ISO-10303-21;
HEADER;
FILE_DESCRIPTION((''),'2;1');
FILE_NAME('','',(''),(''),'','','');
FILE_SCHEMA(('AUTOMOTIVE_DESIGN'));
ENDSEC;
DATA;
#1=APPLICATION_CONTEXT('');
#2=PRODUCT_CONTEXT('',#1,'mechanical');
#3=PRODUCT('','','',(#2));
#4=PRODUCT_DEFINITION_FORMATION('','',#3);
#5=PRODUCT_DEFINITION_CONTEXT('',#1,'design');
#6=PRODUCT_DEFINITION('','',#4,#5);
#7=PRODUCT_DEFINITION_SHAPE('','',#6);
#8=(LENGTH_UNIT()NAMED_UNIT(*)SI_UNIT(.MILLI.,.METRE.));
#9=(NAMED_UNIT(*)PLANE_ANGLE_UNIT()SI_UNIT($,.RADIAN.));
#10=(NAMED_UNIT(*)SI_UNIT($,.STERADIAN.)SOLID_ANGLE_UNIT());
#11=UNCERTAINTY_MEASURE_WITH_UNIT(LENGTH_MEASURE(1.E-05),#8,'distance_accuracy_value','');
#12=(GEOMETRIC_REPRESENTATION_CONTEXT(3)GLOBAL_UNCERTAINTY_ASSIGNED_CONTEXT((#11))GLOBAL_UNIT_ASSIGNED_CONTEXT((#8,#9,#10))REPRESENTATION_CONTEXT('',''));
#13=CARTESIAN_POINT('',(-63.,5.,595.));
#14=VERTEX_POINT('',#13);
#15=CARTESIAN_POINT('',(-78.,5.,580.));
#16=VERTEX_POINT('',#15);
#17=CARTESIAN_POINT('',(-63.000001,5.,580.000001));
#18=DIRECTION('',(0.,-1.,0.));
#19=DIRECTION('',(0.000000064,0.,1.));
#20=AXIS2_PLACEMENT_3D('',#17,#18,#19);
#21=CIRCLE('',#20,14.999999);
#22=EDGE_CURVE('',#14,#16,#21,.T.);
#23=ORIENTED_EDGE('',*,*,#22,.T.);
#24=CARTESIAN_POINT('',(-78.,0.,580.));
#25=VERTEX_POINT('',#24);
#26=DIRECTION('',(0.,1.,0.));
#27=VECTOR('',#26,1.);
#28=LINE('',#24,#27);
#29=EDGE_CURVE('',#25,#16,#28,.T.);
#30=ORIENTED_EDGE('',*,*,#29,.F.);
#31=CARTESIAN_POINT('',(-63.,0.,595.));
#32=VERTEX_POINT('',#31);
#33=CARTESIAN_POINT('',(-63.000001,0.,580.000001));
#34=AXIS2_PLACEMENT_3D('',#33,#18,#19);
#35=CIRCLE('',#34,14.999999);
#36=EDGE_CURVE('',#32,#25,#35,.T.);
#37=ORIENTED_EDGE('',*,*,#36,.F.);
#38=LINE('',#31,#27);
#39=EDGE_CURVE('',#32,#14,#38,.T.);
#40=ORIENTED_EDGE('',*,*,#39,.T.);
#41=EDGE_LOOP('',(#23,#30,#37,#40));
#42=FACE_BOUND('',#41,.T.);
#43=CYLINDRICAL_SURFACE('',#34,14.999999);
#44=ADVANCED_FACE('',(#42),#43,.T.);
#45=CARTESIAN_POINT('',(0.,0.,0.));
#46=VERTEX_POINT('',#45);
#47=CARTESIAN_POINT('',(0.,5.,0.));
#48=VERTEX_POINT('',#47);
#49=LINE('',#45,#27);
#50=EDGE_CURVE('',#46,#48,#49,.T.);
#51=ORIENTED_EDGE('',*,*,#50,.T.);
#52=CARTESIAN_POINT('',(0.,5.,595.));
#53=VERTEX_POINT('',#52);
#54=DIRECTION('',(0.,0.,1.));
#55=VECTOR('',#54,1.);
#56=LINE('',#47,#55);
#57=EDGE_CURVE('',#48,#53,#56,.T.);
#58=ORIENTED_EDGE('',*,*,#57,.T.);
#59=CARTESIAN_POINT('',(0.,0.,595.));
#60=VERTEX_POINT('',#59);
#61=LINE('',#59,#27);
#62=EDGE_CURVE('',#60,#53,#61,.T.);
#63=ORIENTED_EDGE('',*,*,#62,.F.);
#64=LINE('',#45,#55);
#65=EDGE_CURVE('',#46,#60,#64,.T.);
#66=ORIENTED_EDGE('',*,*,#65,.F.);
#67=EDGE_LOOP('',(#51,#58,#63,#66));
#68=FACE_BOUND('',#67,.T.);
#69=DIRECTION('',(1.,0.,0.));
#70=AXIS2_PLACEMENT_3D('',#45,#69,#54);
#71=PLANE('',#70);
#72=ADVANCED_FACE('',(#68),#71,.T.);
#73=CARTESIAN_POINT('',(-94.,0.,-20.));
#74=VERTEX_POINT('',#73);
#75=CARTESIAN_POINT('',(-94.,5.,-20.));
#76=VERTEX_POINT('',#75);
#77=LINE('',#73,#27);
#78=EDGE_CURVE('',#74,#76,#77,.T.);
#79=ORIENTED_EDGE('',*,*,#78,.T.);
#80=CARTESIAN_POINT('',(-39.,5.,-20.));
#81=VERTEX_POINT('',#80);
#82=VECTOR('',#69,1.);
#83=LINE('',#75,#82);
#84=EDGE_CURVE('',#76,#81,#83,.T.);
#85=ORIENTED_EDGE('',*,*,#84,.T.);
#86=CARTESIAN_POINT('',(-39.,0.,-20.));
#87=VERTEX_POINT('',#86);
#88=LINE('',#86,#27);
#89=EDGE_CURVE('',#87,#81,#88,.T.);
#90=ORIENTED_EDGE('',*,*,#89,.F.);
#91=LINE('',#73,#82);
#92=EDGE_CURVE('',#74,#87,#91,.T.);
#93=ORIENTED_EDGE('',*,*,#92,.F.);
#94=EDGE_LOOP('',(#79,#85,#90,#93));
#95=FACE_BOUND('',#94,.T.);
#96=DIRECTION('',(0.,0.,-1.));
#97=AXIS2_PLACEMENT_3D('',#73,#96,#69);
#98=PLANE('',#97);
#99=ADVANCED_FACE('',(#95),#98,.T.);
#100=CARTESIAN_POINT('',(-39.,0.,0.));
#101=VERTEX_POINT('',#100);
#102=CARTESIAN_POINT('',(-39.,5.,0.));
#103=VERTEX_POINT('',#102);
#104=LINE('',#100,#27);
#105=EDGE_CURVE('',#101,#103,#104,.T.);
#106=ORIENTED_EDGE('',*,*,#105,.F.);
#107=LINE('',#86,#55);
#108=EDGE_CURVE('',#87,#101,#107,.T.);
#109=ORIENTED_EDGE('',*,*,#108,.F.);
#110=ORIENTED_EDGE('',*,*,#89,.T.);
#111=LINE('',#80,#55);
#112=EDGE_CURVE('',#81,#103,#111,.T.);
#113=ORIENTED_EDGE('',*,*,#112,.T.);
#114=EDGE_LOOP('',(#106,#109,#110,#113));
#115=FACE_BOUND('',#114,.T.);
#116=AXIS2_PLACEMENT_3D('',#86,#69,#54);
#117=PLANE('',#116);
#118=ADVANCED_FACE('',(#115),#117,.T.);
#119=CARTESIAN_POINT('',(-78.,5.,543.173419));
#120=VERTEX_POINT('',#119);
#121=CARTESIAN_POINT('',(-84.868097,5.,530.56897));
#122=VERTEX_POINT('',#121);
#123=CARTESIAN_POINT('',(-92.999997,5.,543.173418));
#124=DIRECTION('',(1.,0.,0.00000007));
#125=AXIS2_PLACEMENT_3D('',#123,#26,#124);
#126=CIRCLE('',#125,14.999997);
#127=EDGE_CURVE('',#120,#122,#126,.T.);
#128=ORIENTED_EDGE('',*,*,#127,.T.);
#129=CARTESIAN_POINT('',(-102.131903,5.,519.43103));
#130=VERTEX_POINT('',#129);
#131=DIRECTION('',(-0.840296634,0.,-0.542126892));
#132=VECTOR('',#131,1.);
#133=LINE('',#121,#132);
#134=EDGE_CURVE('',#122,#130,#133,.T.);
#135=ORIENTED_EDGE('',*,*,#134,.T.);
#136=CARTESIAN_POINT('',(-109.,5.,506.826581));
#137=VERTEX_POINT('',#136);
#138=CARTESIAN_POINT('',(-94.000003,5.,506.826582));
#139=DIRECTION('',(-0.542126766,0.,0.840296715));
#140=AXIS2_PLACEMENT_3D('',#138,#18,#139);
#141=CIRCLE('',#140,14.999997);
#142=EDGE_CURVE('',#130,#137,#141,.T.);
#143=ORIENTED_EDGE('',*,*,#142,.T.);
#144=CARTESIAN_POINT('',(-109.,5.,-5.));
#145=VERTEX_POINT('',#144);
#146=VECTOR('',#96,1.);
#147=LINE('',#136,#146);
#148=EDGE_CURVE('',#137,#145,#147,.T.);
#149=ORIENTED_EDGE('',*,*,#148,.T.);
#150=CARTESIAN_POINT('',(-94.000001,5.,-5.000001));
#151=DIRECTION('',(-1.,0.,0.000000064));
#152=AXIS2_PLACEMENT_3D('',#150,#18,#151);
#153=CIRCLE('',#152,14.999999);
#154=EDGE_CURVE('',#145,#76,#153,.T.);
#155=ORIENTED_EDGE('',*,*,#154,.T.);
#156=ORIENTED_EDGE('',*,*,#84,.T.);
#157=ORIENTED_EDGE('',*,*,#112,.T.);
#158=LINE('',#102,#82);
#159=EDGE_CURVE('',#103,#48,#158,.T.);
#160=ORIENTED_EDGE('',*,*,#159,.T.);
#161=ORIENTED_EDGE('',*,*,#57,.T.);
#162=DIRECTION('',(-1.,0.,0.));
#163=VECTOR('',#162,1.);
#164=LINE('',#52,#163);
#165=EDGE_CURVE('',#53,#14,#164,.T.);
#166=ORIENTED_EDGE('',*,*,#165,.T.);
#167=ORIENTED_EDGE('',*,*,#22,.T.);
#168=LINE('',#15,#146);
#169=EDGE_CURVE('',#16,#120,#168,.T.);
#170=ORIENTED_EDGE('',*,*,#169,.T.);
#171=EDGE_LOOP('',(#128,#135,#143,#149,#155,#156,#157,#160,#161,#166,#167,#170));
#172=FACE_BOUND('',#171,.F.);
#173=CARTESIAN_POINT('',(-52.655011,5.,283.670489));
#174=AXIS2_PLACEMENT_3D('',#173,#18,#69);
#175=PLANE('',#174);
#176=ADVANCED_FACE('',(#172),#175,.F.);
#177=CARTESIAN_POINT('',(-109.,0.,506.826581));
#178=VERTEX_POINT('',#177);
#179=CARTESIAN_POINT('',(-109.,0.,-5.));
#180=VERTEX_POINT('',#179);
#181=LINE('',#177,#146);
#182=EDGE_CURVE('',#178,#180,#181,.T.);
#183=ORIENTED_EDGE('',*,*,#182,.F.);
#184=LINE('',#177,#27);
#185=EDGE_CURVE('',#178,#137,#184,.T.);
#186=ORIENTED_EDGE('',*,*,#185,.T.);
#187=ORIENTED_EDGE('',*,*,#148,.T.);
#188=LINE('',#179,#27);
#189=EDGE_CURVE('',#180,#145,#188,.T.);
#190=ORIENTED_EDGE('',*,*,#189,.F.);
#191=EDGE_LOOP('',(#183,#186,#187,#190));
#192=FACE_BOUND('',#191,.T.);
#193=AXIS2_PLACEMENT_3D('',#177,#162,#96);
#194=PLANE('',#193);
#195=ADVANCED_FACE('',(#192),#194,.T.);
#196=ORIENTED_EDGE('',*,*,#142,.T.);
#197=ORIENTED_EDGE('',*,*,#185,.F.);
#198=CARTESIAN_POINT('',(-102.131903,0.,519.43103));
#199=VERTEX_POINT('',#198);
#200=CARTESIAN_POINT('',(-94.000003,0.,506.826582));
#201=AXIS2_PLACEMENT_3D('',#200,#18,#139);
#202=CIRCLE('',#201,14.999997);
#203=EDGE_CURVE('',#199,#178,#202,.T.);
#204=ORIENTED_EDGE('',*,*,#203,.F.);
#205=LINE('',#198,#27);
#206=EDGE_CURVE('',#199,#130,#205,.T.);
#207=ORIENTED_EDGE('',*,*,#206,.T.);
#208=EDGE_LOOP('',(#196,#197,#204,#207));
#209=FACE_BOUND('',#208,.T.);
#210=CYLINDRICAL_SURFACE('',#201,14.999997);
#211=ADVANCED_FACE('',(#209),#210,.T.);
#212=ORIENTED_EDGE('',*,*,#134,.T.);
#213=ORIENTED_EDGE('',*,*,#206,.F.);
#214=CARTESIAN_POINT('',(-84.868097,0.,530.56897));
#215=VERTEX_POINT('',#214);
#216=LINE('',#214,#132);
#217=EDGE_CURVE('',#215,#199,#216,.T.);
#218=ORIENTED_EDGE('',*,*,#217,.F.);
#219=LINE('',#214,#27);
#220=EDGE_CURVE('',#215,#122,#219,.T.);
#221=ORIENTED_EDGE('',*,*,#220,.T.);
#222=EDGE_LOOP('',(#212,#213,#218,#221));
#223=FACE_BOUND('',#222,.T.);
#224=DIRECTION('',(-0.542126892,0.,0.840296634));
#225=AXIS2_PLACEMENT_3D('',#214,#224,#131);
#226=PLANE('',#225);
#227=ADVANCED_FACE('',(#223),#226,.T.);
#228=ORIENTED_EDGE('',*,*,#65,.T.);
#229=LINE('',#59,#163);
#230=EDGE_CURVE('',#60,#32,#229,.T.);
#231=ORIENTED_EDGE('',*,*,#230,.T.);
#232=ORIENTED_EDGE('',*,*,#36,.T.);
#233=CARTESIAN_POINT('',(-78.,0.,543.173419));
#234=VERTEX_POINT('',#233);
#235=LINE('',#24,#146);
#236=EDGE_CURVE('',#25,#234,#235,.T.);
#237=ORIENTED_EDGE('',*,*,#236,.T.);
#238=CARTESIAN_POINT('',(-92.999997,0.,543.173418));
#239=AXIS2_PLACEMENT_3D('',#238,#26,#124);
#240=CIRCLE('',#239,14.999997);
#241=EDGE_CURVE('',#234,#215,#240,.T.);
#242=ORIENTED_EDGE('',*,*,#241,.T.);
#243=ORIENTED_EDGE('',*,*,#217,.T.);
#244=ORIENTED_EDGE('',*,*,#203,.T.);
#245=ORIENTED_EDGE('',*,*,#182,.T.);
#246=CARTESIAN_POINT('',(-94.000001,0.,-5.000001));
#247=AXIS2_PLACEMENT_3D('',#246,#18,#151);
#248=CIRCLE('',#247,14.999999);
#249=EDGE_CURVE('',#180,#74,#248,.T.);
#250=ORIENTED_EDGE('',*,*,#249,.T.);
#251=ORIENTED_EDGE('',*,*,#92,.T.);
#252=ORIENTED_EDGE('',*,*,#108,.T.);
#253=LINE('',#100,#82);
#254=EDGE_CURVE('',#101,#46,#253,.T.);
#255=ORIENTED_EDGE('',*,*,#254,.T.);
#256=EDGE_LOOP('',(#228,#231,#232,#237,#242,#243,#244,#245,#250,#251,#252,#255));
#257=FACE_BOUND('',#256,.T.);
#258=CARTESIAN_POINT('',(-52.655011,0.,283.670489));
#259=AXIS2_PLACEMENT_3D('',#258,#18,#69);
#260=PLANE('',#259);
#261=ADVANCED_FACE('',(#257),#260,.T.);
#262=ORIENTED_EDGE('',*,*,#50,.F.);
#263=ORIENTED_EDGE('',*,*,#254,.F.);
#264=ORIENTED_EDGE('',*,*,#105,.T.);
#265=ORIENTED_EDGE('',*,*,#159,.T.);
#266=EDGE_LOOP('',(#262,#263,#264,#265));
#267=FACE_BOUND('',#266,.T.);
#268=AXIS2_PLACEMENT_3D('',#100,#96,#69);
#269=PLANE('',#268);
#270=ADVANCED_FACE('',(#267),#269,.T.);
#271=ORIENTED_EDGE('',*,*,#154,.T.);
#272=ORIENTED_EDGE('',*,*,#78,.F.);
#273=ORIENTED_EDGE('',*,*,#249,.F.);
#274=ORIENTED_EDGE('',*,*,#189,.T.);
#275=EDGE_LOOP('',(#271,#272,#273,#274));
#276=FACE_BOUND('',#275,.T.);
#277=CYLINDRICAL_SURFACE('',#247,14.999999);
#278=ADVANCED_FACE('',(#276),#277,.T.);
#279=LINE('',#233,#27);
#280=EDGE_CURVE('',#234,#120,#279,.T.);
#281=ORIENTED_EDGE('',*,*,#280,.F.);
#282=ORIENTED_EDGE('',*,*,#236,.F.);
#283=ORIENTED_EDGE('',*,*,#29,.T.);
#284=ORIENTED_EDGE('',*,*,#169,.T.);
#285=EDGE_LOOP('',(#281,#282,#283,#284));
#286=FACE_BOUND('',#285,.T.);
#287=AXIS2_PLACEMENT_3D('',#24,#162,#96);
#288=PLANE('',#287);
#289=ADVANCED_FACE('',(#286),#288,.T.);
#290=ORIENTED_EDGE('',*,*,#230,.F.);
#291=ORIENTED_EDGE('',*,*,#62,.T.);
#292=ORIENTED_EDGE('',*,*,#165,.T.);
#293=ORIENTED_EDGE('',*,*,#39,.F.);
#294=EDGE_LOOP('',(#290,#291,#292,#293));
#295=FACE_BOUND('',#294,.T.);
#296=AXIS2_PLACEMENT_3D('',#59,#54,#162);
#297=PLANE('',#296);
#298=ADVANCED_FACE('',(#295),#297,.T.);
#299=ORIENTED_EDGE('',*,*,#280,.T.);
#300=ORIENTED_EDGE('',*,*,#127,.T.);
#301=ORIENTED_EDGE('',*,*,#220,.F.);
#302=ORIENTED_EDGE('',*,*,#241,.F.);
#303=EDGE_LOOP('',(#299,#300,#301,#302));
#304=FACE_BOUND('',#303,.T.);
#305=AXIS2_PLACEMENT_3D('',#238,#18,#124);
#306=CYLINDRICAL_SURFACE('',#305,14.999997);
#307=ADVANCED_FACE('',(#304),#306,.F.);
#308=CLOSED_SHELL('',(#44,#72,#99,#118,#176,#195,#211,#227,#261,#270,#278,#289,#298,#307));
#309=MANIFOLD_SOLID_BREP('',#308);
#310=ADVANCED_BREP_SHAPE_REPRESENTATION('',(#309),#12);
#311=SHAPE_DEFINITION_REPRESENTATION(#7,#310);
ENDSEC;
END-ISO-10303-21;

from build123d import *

# Parameters (mm, degrees)
F1_DEPTH = 5


with BuildPart() as f1:
    # F0 (on Front) → F1 (new body)
    with BuildSketch(Plane.XZ):
        with BuildLine():
            Line((-39, 0), (0, 0))
            Line((0, 0), (0, 595))
            Line((0, 595), (-63, 595))
            ThreePointArc((-63, 595), (-73.606602, 590.606602), (-78, 580))
            Line((-78, 580), (-78, 543.173419))
            ThreePointArc((-78, 543.173419), (-79.828467, 535.996322), (-84.868097, 530.56897))
            Line((-84.868097, 530.56897), (-102.131903, 519.43103))
            ThreePointArc((-102.131903, 519.43103), (-107.171533, 514.003678), (-109, 506.826581))
            Line((-109, 506.826581), (-109, -5))
            ThreePointArc((-109, -5), (-104.606602, -15.606602), (-94, -20))
            Line((-94, -20), (-39, -20))
            Line((-39, -20), (-39, 0))
        make_face()
    extrude(amount=-F1_DEPTH)


solid = f1.part
